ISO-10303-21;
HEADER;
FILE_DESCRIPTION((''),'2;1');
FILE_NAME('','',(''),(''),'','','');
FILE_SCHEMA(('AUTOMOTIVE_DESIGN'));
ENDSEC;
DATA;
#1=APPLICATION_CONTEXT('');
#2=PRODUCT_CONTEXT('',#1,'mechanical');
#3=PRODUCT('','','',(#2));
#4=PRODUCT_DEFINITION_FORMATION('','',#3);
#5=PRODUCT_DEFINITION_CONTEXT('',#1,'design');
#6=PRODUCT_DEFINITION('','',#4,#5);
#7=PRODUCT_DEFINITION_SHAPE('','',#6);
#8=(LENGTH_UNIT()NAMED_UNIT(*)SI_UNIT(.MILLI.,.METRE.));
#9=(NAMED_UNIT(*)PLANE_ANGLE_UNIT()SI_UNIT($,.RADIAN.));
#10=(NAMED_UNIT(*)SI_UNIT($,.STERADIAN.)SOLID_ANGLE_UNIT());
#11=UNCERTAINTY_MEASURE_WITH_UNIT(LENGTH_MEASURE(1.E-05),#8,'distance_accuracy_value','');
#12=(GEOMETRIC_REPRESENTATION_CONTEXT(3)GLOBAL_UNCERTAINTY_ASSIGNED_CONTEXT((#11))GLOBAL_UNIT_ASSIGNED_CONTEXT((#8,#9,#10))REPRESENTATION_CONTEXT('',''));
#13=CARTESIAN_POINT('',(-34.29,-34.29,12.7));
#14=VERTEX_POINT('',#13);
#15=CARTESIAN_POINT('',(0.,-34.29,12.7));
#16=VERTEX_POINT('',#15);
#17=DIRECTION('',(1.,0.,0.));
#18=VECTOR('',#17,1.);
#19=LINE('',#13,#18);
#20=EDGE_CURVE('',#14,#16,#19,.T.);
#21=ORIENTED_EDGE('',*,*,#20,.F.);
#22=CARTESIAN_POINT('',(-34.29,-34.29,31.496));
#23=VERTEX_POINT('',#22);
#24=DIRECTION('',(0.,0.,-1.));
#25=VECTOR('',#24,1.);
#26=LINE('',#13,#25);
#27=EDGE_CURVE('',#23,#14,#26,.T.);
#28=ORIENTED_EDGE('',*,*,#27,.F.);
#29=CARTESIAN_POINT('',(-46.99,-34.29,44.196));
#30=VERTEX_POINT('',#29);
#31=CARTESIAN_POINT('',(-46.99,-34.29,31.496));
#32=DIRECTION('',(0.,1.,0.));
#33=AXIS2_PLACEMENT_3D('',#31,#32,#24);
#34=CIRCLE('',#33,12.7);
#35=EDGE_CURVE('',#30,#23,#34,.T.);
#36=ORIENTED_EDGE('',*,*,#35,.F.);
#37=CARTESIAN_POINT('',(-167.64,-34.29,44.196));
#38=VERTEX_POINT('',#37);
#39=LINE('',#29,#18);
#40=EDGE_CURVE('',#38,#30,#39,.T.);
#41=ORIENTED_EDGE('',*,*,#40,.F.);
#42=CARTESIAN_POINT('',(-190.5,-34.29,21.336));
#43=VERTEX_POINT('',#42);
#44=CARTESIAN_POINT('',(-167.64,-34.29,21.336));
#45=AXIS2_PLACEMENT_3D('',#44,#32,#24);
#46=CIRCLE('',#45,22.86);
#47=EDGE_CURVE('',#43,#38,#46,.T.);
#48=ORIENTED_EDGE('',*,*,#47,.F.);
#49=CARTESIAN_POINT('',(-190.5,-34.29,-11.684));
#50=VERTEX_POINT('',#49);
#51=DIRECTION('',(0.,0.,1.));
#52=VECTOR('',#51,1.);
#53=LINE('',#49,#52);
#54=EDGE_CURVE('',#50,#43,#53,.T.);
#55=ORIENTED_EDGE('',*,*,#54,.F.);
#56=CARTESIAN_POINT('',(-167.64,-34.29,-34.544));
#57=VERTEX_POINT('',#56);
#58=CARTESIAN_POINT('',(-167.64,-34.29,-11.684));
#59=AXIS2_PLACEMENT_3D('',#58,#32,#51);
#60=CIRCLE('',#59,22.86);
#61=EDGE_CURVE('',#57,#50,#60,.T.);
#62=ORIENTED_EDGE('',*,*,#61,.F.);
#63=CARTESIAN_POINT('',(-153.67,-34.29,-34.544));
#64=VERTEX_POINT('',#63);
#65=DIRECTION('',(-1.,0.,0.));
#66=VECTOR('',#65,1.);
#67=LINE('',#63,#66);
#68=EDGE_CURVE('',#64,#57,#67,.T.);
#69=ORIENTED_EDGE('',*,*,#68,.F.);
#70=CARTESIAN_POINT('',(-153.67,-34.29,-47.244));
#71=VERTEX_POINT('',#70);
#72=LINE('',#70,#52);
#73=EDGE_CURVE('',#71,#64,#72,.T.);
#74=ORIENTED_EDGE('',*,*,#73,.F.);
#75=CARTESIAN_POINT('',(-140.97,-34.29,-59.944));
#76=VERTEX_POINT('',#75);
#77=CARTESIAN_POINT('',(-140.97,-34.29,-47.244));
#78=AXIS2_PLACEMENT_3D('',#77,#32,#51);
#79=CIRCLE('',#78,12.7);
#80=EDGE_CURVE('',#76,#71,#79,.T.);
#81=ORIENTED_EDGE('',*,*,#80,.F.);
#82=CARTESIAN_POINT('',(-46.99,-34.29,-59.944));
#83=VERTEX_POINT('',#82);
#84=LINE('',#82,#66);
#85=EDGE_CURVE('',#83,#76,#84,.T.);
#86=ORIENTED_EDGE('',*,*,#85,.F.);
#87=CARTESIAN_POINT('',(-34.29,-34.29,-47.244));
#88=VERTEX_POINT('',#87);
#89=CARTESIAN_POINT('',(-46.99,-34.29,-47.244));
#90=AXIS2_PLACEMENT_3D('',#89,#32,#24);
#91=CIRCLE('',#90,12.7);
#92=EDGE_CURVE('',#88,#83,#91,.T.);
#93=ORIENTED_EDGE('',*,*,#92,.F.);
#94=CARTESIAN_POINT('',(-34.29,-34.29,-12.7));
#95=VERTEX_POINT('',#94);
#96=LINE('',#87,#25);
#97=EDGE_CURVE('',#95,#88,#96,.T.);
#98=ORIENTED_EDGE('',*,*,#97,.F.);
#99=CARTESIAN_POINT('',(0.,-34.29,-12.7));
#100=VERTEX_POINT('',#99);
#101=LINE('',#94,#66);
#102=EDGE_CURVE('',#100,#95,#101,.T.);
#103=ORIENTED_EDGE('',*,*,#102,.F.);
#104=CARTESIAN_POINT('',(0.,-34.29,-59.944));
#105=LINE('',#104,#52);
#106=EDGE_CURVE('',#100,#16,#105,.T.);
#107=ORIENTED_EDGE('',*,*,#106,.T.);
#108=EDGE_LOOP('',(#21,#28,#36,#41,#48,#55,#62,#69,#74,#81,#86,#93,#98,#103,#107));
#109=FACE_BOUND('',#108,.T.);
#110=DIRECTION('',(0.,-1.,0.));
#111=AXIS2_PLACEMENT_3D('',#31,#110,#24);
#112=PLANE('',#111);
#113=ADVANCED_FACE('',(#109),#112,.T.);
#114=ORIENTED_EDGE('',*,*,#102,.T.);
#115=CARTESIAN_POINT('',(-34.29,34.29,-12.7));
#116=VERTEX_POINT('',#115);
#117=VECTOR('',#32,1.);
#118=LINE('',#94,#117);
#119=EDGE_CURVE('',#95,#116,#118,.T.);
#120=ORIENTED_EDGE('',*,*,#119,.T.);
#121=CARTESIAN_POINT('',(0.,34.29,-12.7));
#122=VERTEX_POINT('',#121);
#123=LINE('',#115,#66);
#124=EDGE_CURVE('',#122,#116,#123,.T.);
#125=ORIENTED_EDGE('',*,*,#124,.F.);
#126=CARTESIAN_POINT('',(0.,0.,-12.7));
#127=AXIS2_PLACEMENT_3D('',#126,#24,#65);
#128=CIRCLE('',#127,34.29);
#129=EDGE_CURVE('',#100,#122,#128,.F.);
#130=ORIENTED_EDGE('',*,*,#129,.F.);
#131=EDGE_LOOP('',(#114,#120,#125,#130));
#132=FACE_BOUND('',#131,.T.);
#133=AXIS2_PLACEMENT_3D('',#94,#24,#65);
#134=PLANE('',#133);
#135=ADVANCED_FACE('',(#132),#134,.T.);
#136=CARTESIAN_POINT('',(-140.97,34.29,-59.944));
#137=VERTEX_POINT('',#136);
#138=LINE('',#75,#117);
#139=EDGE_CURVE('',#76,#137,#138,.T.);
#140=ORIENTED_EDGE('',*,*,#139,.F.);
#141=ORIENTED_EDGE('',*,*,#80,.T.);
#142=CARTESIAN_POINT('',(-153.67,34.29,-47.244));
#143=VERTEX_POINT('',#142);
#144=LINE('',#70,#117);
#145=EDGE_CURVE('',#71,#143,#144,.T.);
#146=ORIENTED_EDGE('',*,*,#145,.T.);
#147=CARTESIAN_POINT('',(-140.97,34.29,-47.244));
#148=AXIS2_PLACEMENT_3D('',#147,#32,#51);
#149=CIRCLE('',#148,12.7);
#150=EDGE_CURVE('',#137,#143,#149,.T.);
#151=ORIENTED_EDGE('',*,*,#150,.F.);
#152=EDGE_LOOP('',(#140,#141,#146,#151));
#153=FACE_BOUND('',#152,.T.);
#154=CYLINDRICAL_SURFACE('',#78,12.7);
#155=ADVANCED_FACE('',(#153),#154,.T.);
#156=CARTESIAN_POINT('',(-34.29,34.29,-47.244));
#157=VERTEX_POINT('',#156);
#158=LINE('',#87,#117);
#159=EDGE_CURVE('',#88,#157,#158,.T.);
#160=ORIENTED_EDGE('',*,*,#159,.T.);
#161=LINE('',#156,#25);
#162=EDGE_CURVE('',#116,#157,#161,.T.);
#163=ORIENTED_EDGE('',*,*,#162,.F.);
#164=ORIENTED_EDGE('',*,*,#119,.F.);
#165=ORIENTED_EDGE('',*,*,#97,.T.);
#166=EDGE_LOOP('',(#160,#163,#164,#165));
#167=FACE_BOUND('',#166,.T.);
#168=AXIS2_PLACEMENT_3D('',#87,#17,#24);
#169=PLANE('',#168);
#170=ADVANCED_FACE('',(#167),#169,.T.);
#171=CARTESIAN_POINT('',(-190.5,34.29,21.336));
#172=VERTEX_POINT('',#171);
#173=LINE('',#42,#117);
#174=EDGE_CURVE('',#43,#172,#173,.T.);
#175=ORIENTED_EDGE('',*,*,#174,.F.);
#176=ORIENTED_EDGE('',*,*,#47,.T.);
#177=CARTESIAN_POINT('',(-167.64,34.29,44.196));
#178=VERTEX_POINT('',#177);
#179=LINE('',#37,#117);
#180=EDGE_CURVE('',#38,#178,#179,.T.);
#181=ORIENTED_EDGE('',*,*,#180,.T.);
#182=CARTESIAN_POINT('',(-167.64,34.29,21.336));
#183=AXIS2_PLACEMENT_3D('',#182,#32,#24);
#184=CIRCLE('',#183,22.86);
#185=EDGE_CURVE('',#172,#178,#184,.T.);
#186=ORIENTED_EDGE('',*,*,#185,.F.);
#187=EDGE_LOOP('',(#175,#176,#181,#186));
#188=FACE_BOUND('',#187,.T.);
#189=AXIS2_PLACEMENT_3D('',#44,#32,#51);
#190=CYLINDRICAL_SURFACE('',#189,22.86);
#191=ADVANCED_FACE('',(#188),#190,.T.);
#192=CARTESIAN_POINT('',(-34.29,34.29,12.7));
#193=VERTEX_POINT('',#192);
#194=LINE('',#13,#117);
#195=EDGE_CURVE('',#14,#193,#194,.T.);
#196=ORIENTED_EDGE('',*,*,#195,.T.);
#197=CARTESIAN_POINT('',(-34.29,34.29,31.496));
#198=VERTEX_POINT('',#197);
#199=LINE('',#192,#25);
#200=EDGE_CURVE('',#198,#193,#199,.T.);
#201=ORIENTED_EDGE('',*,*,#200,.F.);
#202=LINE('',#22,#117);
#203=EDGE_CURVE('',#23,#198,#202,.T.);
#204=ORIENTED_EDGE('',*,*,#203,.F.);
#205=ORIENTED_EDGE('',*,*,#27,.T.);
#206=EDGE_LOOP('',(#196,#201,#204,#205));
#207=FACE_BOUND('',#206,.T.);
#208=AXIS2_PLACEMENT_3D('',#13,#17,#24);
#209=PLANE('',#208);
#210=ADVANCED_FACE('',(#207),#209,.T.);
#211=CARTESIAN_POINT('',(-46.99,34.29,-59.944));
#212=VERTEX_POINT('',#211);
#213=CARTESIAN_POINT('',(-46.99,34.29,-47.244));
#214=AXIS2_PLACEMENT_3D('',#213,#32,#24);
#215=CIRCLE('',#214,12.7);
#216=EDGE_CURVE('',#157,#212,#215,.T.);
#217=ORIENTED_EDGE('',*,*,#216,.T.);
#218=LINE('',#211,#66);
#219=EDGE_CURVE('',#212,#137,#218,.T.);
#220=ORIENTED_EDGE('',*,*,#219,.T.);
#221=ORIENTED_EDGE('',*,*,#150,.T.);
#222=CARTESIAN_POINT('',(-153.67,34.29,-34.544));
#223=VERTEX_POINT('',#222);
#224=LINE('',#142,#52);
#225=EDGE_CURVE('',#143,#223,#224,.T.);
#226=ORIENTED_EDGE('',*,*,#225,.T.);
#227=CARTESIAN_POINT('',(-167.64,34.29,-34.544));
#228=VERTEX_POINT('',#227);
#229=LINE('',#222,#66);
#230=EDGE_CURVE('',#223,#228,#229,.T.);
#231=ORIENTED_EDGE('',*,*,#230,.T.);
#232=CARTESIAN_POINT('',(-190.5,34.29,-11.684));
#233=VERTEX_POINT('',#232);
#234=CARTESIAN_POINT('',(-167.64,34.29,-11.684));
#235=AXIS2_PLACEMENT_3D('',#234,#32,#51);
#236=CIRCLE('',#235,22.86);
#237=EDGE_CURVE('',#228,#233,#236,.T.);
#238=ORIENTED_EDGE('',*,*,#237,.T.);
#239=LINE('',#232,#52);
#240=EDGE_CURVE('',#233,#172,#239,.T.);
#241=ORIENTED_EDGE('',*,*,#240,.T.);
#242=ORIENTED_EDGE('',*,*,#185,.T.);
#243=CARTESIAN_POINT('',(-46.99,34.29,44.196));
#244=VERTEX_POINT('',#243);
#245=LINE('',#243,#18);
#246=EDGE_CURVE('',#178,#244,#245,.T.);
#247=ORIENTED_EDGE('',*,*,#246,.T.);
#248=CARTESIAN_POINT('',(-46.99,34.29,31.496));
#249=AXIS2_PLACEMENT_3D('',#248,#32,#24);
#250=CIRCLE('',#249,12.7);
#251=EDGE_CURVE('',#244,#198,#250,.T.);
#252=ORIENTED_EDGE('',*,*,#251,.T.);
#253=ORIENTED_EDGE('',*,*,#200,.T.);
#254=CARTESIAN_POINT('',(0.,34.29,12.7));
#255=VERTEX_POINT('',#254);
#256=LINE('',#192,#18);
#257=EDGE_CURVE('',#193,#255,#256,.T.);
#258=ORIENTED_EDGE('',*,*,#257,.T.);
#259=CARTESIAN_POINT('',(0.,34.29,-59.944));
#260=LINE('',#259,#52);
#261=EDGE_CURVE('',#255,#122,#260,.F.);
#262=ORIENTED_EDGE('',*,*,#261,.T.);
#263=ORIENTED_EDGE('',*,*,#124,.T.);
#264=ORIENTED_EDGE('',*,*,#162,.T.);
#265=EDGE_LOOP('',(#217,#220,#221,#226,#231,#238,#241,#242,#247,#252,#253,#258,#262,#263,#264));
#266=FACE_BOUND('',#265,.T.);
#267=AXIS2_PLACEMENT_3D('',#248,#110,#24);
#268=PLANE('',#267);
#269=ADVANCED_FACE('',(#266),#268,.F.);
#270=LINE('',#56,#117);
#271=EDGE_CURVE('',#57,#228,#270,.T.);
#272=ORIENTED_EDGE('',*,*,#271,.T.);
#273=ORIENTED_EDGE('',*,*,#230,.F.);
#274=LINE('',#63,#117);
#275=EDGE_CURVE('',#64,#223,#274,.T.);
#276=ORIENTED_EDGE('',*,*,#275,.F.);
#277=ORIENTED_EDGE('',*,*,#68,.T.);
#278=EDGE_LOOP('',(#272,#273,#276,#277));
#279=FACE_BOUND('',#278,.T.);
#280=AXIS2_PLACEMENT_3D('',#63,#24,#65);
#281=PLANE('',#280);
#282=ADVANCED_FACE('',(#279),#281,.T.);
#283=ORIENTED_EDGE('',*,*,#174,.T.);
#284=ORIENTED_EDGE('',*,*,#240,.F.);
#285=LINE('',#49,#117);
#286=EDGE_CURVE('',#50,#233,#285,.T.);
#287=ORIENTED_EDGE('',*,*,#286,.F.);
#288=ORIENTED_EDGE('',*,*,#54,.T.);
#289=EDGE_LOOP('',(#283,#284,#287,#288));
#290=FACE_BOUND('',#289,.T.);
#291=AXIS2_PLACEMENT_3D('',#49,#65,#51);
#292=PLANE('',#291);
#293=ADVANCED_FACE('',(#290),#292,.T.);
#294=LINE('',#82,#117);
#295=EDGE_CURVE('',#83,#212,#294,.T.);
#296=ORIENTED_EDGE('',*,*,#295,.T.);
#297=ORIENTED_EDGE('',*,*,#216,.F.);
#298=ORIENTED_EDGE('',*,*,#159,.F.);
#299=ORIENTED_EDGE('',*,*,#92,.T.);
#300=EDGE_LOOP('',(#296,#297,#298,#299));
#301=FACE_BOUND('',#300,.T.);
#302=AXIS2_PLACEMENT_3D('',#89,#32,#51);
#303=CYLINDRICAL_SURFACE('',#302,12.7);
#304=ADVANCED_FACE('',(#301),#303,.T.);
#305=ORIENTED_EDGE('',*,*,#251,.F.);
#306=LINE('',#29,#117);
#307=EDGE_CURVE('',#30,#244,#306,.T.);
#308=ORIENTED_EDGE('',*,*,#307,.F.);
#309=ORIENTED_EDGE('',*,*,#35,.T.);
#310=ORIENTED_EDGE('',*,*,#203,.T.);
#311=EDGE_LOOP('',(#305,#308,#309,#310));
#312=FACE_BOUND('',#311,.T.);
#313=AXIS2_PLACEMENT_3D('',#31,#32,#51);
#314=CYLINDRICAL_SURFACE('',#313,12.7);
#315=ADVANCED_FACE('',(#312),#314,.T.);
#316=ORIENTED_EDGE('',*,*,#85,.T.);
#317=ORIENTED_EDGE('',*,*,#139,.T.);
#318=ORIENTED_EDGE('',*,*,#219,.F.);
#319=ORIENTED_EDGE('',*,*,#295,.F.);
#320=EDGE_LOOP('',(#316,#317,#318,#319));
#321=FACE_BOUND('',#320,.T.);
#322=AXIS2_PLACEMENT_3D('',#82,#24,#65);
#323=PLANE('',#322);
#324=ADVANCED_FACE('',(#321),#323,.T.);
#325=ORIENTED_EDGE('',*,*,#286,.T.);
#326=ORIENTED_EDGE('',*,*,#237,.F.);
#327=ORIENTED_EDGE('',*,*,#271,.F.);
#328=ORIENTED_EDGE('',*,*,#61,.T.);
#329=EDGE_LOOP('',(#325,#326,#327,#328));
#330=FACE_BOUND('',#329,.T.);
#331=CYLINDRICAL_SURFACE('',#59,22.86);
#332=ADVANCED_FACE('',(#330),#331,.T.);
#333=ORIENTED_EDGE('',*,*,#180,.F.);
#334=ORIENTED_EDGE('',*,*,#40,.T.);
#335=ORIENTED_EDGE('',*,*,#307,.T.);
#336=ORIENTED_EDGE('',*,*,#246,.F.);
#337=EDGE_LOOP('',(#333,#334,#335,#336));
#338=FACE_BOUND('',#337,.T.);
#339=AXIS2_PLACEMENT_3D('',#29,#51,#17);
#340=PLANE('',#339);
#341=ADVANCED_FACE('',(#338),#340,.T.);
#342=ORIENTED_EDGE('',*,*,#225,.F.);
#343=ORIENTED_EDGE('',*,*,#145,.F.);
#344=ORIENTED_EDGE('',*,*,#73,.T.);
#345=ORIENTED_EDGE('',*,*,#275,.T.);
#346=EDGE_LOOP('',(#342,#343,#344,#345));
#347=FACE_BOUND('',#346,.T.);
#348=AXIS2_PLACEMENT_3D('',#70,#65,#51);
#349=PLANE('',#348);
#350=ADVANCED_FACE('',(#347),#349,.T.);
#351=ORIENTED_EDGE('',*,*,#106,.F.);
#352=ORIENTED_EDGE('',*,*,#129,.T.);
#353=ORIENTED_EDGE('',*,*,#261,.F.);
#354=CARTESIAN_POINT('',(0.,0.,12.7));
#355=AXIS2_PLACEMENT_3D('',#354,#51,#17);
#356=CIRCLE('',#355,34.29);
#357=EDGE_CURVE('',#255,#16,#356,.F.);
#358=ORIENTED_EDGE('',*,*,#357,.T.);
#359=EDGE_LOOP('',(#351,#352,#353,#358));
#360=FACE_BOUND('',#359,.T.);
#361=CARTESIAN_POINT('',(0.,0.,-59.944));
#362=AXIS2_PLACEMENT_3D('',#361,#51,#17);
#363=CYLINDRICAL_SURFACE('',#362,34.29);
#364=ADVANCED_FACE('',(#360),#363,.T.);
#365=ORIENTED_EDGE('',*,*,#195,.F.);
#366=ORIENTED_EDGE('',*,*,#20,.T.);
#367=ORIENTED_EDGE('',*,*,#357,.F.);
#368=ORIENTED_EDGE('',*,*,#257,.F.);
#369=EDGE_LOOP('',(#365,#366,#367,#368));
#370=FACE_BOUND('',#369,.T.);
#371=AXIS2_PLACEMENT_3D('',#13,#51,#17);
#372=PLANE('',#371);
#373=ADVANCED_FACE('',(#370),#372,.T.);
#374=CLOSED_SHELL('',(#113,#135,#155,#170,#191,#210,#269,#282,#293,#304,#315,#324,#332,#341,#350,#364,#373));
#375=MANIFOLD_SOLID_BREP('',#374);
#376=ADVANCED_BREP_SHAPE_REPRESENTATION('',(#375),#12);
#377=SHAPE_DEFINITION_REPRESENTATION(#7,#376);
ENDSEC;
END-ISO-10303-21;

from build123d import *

# Parameters (mm, degrees)
BOSS_EXTRUDE1_DEPTH      = 34.29
BOSS_EXTRUDE1_DEPTH_BACK = 34.29
CUT_EXTRUDE1_DEPTH       = 203.631037198
CUT_EXTRUDE1_DEPTH_BACK  = 203.631037198


with BuildPart() as part:
    # Sketch1 → Boss-Extrude1 (new, two sides: drawn at the far end of the back side and taken through both)
    with BuildSketch(Plane(origin=(0, 0, 0), x_dir=(1, 0, 0), z_dir=(0, 1, 0)).offset(-BOSS_EXTRUDE1_DEPTH_BACK)):
        with BuildLine():
            Line((-34.29, -12.7), (34.29, -12.7))
            Line((34.29, -12.7), (34.29, 12.7))
            Line((34.29, 12.7), (-34.29, 12.7))
            Line((-34.29, 12.7), (-34.29, 47.244))
            ThreePointArc((-34.29, 47.244), (-38.009743879, 56.224256121), (-46.99, 59.944))
            Line((-46.99, 59.944), (-140.97, 59.944))
            ThreePointArc((-140.97, 59.944), (-149.950256121, 56.224256121), (-153.67, 47.244))
            Line((-153.67, 47.244), (-153.67, 34.544))
            Line((-153.67, 34.544), (-167.64, 34.544))
            ThreePointArc((-167.64, 34.544), (-183.804461018, 27.848461018), (-190.5, 11.684))
            Line((-190.5, 11.684), (-190.5, -21.336))
            ThreePointArc((-190.5, -21.336), (-183.804461018, -37.500461018), (-167.64, -44.196))
            Line((-167.64, -44.196), (-46.99, -44.196))
            ThreePointArc((-46.99, -44.196), (-38.009743879, -40.476256121), (-34.29, -31.496))
            Line((-34.29, -31.496), (-34.29, -12.7))
        make_face()
    extrude(amount=BOSS_EXTRUDE1_DEPTH + BOSS_EXTRUDE1_DEPTH_BACK)

    # Sketch2 → Cut-Extrude1 (cut, two sides: drawn at the far end of the back side and taken through both)
    with BuildSketch(Plane.XY.offset(-CUT_EXTRUDE1_DEPTH_BACK)):
        with BuildLine():
            Line((0, 34.29), (44.29, 34.29))
            Line((44.29, 34.29), (44.29, -34.29))
            Line((44.29, -34.29), (0, -34.29))
            ThreePointArc((0, -34.29), (34.29, 0), (0, 34.29))
        make_face()
    extrude(amount=CUT_EXTRUDE1_DEPTH + CUT_EXTRUDE1_DEPTH_BACK, mode=Mode.SUBTRACT)


solid = part.part
